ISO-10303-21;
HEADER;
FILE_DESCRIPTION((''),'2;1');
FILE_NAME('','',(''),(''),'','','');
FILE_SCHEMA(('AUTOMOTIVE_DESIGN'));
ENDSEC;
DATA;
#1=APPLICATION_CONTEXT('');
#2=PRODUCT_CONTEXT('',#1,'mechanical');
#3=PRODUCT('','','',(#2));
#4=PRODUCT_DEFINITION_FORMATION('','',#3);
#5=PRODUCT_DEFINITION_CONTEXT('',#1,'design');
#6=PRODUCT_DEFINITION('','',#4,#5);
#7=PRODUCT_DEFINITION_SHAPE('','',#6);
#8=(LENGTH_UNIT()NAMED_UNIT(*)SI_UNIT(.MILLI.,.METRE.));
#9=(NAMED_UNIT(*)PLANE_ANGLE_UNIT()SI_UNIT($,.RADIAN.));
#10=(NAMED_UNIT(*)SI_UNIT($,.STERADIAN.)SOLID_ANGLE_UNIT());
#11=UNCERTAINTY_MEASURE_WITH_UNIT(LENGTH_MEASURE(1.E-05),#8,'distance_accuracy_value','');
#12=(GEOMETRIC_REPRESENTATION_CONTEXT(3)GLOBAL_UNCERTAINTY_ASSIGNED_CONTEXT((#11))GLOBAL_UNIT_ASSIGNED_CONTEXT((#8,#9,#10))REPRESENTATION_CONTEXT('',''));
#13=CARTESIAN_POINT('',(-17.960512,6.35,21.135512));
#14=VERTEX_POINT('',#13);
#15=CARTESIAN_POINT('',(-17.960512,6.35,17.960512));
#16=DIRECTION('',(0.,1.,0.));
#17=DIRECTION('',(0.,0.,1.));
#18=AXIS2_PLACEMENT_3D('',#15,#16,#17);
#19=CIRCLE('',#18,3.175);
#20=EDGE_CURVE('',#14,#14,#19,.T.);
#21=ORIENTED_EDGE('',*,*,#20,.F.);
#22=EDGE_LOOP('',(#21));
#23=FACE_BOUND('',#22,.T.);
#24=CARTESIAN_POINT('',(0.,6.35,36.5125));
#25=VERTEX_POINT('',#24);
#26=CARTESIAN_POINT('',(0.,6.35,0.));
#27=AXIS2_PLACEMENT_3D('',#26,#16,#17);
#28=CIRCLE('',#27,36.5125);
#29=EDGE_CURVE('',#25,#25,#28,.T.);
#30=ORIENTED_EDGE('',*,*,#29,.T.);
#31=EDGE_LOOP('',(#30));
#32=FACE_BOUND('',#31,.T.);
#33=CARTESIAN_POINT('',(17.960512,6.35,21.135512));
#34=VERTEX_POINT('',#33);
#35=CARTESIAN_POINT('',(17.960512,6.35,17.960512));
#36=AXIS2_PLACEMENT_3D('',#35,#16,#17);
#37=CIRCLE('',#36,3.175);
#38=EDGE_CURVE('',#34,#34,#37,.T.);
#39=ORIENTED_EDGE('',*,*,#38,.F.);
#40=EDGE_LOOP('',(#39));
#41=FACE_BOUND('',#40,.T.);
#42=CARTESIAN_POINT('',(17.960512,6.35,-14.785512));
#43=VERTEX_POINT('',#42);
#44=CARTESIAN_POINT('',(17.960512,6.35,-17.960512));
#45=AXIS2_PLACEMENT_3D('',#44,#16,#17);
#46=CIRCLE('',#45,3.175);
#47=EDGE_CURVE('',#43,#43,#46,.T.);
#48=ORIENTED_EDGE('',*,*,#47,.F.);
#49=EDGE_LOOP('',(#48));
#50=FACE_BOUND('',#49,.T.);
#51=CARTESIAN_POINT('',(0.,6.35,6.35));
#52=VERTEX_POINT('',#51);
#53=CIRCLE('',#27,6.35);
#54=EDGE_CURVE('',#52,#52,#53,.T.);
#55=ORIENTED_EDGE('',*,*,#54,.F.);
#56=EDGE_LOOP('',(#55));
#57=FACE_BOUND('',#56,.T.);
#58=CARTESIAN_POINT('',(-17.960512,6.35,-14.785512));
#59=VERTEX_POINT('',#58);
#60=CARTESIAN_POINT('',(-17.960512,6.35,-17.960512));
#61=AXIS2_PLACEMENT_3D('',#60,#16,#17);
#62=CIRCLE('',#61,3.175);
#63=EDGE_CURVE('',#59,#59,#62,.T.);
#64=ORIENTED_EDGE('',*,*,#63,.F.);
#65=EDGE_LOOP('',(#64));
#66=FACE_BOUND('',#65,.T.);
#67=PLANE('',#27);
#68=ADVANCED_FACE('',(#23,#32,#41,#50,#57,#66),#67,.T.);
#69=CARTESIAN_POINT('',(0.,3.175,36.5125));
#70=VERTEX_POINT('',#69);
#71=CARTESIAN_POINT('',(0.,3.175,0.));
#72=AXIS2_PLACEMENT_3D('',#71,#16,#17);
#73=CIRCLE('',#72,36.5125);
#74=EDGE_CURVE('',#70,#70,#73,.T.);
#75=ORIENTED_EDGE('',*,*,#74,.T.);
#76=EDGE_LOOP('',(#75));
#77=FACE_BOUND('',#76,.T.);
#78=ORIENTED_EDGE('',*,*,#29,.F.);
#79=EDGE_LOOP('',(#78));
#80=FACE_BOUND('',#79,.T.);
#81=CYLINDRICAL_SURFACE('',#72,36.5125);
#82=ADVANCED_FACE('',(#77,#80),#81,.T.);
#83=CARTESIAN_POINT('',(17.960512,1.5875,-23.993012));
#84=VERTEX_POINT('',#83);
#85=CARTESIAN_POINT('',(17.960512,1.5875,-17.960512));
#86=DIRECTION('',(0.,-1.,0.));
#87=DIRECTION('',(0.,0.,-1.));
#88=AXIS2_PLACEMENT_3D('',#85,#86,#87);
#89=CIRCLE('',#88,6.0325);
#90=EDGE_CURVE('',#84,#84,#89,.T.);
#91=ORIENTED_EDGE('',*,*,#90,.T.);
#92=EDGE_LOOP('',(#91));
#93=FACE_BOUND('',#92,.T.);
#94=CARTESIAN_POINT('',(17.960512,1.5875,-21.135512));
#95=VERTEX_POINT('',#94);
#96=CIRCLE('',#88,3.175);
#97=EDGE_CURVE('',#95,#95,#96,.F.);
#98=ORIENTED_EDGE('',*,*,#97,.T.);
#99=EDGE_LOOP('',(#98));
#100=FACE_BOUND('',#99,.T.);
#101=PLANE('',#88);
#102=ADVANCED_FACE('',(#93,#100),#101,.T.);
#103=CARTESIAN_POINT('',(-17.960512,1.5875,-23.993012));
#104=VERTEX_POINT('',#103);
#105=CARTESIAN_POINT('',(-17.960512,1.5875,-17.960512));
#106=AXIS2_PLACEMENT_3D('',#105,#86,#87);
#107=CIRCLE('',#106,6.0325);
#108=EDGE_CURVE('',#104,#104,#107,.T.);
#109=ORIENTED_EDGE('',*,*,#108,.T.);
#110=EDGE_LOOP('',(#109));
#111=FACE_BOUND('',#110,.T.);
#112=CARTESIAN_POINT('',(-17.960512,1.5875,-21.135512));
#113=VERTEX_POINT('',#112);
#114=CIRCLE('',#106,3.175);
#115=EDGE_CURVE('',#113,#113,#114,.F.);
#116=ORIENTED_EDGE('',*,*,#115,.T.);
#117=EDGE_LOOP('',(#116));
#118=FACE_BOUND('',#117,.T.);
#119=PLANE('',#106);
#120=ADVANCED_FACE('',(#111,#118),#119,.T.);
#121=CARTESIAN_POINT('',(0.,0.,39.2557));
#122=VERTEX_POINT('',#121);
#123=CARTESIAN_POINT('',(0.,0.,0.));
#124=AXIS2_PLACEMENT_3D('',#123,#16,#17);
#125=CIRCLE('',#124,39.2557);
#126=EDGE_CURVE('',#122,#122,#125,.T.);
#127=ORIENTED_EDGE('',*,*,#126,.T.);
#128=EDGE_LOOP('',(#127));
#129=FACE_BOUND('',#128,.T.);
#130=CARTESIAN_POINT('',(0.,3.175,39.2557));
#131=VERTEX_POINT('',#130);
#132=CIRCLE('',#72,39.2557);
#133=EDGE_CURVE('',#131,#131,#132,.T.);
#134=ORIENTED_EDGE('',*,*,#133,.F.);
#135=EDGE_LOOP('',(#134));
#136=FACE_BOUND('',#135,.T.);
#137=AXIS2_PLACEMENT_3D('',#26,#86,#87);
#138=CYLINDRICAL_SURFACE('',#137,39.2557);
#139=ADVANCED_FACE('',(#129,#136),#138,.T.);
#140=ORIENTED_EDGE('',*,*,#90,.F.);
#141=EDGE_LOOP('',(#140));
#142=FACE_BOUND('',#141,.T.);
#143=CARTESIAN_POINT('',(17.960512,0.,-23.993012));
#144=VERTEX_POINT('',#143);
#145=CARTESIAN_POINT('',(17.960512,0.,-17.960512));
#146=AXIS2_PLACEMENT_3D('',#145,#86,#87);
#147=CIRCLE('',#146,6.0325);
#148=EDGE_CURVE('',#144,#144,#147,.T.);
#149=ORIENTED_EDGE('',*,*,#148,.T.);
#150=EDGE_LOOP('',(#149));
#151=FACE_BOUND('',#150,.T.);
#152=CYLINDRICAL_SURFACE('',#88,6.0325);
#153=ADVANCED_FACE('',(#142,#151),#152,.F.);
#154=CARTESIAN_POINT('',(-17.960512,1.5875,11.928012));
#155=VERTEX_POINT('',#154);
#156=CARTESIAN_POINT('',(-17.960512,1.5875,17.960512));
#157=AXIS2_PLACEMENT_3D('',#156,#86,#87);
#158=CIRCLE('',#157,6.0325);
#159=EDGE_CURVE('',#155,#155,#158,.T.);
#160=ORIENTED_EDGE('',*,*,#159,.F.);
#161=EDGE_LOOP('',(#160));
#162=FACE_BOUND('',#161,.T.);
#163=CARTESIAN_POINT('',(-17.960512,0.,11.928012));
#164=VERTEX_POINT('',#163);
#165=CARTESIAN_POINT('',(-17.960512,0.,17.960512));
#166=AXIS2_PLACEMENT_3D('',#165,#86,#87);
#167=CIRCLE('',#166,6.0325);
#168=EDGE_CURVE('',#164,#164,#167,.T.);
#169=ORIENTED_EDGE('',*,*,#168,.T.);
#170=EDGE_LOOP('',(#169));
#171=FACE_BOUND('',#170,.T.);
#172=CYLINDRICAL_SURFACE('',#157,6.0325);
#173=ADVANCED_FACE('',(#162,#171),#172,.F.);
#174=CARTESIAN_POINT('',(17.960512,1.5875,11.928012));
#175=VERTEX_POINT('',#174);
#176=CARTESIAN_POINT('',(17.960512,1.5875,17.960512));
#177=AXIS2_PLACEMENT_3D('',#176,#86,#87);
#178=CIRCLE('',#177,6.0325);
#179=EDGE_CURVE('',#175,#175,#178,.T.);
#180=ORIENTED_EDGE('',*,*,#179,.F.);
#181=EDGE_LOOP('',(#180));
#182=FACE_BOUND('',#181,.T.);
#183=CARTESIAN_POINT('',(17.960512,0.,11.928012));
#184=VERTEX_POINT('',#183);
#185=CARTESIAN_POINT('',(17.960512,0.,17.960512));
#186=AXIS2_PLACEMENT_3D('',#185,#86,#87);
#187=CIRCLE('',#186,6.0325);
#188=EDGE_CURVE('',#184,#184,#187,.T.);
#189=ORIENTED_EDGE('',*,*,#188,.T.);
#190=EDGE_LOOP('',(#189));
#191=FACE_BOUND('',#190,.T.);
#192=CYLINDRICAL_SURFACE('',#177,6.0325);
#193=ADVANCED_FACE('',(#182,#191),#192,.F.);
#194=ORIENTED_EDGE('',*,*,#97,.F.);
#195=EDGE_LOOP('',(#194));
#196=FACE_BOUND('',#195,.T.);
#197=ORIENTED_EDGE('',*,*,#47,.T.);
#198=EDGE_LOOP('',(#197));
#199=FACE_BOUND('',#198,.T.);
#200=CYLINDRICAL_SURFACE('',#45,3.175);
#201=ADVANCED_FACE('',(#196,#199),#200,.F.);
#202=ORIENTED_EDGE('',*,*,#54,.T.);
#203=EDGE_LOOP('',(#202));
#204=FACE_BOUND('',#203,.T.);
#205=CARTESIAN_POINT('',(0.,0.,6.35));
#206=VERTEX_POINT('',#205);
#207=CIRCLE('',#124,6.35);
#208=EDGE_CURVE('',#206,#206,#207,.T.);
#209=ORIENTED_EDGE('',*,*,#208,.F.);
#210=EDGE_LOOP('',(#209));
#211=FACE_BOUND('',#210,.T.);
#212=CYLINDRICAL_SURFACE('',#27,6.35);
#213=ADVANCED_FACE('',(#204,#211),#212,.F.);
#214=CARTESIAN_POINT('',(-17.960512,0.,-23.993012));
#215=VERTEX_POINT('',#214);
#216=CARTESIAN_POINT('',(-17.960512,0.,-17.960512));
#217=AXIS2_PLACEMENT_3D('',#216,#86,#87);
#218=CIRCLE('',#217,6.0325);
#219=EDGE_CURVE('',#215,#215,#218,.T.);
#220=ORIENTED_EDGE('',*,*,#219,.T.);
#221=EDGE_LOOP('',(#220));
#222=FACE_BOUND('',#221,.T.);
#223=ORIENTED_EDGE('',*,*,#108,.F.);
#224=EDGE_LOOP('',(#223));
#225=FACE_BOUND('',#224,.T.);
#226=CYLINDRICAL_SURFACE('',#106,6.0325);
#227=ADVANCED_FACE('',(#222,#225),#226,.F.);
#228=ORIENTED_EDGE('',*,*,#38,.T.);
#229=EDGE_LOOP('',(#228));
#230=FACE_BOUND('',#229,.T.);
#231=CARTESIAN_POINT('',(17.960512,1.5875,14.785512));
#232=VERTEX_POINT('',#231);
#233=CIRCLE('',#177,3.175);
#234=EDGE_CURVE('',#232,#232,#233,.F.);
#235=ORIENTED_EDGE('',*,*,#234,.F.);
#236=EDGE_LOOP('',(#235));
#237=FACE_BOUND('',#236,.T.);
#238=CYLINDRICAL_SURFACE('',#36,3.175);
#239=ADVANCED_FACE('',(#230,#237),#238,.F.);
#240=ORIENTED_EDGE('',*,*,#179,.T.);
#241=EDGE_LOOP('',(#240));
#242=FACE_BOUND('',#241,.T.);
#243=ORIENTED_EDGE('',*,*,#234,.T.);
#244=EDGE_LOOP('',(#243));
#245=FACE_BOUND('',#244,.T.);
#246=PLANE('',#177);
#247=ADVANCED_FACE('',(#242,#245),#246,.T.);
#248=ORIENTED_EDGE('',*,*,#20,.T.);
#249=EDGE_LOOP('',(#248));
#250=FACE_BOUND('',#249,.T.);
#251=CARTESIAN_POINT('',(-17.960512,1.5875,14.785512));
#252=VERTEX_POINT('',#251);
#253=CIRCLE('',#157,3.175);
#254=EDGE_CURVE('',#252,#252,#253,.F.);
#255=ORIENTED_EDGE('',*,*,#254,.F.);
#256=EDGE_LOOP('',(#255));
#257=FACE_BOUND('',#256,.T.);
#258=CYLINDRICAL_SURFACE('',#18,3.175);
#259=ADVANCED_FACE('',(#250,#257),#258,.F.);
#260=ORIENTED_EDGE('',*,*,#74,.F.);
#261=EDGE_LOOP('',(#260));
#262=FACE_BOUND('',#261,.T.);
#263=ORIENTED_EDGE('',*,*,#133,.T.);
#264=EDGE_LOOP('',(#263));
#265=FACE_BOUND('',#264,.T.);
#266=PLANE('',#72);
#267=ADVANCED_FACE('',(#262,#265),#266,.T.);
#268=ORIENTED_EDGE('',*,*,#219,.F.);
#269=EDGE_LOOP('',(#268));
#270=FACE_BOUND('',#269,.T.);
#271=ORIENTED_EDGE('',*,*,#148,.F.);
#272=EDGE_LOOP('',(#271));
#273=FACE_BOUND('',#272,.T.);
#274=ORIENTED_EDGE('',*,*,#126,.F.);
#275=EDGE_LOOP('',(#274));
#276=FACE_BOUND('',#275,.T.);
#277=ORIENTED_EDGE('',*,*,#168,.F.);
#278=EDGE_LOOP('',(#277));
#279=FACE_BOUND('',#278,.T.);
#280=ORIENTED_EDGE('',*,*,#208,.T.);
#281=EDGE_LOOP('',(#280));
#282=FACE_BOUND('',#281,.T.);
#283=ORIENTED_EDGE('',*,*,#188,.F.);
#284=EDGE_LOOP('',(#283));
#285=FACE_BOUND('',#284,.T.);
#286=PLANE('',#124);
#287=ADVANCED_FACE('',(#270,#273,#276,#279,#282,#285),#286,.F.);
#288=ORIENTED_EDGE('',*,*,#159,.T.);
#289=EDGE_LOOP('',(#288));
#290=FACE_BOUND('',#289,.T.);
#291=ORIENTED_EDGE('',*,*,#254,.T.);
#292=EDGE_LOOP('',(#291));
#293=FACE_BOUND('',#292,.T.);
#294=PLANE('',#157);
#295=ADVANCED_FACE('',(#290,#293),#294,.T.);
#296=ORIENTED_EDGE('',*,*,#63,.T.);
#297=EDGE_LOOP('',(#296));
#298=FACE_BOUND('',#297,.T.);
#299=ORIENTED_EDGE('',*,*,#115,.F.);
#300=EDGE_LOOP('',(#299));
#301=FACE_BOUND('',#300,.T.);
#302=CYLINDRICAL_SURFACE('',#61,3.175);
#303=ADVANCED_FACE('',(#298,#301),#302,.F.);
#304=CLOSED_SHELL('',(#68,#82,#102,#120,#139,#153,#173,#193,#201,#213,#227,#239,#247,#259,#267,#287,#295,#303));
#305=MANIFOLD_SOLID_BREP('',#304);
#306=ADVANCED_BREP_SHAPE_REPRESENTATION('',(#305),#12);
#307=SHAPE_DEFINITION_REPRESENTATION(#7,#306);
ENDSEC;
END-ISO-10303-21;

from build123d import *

# Parameters (mm, degrees)
SKETCH2_R                   = 39.2557
BOSS_EXTRUDE1_DEPTH         = 6.35
SKETCH4_R                   = 39.2557
SKETCH4_R_2                 = 36.5125
CUT_EXTRUDE1_DEPTH          = 3.175
F_1_4_0_25_DIAMETER_HOLE1_D = 6.35
F_1_2_0_5_DIAMETER_HOLE1_D  = 12.7
SKETCH9_R                   = 6.0325
CUT_EXTRUDE2_DEPTH          = 1.5875


with BuildPart() as part:
    # Sketch2 → Boss-Extrude1 (new body)
    with BuildSketch(Plane(origin=(0, 0, 0), x_dir=(1, 0, 0), z_dir=(0, 1, 0))):
        Circle(SKETCH2_R)
    extrude(amount=BOSS_EXTRUDE1_DEPTH)

    # Sketch4 → Cut-Extrude1 (cut)
    with BuildSketch(Plane(origin=(0, 6.35, 0), x_dir=(1, 0, 0), z_dir=(0, 1, 0))):
        Circle(SKETCH4_R)
        Circle(SKETCH4_R_2, mode=Mode.SUBTRACT)
    extrude(amount=-CUT_EXTRUDE1_DEPTH, mode=Mode.SUBTRACT)

    # 1/4 (0.25) Diameter Hole1 (through all)
    with Locations(Plane(origin=(0, 6.35, 0), x_dir=(1, 0, 0), z_dir=(0, 1, 0))):
        with Locations((-17.960512242, 17.960512242), (-17.960512242, -17.960512242), (17.960512242, 17.960512242), (17.960512242, -17.960512242)):
            Hole(F_1_4_0_25_DIAMETER_HOLE1_D / 2)

    # 1/2 (0.5) Diameter Hole1 (through all)
    with Locations(Plane(origin=(0, 6.35, 0), x_dir=(1, 0, 0), z_dir=(0, 1, 0))):
        with Locations((0, 0)):
            Hole(F_1_2_0_5_DIAMETER_HOLE1_D / 2)

    # Sketch9 → Cut-Extrude2 (cut)
    with BuildSketch(Plane.XZ):
        with Locations((-17.960512242, 17.960512242)):
            Circle(SKETCH9_R)
        with Locations((17.960512242, 17.960512242)):
            Circle(SKETCH9_R)
        with Locations((17.960512242, -17.960512242)):
            Circle(SKETCH9_R)
        with Locations((-17.960512242, -17.960512242)):
            Circle(SKETCH9_R)
    extrude(amount=-CUT_EXTRUDE2_DEPTH, mode=Mode.SUBTRACT)


solid = part.part
